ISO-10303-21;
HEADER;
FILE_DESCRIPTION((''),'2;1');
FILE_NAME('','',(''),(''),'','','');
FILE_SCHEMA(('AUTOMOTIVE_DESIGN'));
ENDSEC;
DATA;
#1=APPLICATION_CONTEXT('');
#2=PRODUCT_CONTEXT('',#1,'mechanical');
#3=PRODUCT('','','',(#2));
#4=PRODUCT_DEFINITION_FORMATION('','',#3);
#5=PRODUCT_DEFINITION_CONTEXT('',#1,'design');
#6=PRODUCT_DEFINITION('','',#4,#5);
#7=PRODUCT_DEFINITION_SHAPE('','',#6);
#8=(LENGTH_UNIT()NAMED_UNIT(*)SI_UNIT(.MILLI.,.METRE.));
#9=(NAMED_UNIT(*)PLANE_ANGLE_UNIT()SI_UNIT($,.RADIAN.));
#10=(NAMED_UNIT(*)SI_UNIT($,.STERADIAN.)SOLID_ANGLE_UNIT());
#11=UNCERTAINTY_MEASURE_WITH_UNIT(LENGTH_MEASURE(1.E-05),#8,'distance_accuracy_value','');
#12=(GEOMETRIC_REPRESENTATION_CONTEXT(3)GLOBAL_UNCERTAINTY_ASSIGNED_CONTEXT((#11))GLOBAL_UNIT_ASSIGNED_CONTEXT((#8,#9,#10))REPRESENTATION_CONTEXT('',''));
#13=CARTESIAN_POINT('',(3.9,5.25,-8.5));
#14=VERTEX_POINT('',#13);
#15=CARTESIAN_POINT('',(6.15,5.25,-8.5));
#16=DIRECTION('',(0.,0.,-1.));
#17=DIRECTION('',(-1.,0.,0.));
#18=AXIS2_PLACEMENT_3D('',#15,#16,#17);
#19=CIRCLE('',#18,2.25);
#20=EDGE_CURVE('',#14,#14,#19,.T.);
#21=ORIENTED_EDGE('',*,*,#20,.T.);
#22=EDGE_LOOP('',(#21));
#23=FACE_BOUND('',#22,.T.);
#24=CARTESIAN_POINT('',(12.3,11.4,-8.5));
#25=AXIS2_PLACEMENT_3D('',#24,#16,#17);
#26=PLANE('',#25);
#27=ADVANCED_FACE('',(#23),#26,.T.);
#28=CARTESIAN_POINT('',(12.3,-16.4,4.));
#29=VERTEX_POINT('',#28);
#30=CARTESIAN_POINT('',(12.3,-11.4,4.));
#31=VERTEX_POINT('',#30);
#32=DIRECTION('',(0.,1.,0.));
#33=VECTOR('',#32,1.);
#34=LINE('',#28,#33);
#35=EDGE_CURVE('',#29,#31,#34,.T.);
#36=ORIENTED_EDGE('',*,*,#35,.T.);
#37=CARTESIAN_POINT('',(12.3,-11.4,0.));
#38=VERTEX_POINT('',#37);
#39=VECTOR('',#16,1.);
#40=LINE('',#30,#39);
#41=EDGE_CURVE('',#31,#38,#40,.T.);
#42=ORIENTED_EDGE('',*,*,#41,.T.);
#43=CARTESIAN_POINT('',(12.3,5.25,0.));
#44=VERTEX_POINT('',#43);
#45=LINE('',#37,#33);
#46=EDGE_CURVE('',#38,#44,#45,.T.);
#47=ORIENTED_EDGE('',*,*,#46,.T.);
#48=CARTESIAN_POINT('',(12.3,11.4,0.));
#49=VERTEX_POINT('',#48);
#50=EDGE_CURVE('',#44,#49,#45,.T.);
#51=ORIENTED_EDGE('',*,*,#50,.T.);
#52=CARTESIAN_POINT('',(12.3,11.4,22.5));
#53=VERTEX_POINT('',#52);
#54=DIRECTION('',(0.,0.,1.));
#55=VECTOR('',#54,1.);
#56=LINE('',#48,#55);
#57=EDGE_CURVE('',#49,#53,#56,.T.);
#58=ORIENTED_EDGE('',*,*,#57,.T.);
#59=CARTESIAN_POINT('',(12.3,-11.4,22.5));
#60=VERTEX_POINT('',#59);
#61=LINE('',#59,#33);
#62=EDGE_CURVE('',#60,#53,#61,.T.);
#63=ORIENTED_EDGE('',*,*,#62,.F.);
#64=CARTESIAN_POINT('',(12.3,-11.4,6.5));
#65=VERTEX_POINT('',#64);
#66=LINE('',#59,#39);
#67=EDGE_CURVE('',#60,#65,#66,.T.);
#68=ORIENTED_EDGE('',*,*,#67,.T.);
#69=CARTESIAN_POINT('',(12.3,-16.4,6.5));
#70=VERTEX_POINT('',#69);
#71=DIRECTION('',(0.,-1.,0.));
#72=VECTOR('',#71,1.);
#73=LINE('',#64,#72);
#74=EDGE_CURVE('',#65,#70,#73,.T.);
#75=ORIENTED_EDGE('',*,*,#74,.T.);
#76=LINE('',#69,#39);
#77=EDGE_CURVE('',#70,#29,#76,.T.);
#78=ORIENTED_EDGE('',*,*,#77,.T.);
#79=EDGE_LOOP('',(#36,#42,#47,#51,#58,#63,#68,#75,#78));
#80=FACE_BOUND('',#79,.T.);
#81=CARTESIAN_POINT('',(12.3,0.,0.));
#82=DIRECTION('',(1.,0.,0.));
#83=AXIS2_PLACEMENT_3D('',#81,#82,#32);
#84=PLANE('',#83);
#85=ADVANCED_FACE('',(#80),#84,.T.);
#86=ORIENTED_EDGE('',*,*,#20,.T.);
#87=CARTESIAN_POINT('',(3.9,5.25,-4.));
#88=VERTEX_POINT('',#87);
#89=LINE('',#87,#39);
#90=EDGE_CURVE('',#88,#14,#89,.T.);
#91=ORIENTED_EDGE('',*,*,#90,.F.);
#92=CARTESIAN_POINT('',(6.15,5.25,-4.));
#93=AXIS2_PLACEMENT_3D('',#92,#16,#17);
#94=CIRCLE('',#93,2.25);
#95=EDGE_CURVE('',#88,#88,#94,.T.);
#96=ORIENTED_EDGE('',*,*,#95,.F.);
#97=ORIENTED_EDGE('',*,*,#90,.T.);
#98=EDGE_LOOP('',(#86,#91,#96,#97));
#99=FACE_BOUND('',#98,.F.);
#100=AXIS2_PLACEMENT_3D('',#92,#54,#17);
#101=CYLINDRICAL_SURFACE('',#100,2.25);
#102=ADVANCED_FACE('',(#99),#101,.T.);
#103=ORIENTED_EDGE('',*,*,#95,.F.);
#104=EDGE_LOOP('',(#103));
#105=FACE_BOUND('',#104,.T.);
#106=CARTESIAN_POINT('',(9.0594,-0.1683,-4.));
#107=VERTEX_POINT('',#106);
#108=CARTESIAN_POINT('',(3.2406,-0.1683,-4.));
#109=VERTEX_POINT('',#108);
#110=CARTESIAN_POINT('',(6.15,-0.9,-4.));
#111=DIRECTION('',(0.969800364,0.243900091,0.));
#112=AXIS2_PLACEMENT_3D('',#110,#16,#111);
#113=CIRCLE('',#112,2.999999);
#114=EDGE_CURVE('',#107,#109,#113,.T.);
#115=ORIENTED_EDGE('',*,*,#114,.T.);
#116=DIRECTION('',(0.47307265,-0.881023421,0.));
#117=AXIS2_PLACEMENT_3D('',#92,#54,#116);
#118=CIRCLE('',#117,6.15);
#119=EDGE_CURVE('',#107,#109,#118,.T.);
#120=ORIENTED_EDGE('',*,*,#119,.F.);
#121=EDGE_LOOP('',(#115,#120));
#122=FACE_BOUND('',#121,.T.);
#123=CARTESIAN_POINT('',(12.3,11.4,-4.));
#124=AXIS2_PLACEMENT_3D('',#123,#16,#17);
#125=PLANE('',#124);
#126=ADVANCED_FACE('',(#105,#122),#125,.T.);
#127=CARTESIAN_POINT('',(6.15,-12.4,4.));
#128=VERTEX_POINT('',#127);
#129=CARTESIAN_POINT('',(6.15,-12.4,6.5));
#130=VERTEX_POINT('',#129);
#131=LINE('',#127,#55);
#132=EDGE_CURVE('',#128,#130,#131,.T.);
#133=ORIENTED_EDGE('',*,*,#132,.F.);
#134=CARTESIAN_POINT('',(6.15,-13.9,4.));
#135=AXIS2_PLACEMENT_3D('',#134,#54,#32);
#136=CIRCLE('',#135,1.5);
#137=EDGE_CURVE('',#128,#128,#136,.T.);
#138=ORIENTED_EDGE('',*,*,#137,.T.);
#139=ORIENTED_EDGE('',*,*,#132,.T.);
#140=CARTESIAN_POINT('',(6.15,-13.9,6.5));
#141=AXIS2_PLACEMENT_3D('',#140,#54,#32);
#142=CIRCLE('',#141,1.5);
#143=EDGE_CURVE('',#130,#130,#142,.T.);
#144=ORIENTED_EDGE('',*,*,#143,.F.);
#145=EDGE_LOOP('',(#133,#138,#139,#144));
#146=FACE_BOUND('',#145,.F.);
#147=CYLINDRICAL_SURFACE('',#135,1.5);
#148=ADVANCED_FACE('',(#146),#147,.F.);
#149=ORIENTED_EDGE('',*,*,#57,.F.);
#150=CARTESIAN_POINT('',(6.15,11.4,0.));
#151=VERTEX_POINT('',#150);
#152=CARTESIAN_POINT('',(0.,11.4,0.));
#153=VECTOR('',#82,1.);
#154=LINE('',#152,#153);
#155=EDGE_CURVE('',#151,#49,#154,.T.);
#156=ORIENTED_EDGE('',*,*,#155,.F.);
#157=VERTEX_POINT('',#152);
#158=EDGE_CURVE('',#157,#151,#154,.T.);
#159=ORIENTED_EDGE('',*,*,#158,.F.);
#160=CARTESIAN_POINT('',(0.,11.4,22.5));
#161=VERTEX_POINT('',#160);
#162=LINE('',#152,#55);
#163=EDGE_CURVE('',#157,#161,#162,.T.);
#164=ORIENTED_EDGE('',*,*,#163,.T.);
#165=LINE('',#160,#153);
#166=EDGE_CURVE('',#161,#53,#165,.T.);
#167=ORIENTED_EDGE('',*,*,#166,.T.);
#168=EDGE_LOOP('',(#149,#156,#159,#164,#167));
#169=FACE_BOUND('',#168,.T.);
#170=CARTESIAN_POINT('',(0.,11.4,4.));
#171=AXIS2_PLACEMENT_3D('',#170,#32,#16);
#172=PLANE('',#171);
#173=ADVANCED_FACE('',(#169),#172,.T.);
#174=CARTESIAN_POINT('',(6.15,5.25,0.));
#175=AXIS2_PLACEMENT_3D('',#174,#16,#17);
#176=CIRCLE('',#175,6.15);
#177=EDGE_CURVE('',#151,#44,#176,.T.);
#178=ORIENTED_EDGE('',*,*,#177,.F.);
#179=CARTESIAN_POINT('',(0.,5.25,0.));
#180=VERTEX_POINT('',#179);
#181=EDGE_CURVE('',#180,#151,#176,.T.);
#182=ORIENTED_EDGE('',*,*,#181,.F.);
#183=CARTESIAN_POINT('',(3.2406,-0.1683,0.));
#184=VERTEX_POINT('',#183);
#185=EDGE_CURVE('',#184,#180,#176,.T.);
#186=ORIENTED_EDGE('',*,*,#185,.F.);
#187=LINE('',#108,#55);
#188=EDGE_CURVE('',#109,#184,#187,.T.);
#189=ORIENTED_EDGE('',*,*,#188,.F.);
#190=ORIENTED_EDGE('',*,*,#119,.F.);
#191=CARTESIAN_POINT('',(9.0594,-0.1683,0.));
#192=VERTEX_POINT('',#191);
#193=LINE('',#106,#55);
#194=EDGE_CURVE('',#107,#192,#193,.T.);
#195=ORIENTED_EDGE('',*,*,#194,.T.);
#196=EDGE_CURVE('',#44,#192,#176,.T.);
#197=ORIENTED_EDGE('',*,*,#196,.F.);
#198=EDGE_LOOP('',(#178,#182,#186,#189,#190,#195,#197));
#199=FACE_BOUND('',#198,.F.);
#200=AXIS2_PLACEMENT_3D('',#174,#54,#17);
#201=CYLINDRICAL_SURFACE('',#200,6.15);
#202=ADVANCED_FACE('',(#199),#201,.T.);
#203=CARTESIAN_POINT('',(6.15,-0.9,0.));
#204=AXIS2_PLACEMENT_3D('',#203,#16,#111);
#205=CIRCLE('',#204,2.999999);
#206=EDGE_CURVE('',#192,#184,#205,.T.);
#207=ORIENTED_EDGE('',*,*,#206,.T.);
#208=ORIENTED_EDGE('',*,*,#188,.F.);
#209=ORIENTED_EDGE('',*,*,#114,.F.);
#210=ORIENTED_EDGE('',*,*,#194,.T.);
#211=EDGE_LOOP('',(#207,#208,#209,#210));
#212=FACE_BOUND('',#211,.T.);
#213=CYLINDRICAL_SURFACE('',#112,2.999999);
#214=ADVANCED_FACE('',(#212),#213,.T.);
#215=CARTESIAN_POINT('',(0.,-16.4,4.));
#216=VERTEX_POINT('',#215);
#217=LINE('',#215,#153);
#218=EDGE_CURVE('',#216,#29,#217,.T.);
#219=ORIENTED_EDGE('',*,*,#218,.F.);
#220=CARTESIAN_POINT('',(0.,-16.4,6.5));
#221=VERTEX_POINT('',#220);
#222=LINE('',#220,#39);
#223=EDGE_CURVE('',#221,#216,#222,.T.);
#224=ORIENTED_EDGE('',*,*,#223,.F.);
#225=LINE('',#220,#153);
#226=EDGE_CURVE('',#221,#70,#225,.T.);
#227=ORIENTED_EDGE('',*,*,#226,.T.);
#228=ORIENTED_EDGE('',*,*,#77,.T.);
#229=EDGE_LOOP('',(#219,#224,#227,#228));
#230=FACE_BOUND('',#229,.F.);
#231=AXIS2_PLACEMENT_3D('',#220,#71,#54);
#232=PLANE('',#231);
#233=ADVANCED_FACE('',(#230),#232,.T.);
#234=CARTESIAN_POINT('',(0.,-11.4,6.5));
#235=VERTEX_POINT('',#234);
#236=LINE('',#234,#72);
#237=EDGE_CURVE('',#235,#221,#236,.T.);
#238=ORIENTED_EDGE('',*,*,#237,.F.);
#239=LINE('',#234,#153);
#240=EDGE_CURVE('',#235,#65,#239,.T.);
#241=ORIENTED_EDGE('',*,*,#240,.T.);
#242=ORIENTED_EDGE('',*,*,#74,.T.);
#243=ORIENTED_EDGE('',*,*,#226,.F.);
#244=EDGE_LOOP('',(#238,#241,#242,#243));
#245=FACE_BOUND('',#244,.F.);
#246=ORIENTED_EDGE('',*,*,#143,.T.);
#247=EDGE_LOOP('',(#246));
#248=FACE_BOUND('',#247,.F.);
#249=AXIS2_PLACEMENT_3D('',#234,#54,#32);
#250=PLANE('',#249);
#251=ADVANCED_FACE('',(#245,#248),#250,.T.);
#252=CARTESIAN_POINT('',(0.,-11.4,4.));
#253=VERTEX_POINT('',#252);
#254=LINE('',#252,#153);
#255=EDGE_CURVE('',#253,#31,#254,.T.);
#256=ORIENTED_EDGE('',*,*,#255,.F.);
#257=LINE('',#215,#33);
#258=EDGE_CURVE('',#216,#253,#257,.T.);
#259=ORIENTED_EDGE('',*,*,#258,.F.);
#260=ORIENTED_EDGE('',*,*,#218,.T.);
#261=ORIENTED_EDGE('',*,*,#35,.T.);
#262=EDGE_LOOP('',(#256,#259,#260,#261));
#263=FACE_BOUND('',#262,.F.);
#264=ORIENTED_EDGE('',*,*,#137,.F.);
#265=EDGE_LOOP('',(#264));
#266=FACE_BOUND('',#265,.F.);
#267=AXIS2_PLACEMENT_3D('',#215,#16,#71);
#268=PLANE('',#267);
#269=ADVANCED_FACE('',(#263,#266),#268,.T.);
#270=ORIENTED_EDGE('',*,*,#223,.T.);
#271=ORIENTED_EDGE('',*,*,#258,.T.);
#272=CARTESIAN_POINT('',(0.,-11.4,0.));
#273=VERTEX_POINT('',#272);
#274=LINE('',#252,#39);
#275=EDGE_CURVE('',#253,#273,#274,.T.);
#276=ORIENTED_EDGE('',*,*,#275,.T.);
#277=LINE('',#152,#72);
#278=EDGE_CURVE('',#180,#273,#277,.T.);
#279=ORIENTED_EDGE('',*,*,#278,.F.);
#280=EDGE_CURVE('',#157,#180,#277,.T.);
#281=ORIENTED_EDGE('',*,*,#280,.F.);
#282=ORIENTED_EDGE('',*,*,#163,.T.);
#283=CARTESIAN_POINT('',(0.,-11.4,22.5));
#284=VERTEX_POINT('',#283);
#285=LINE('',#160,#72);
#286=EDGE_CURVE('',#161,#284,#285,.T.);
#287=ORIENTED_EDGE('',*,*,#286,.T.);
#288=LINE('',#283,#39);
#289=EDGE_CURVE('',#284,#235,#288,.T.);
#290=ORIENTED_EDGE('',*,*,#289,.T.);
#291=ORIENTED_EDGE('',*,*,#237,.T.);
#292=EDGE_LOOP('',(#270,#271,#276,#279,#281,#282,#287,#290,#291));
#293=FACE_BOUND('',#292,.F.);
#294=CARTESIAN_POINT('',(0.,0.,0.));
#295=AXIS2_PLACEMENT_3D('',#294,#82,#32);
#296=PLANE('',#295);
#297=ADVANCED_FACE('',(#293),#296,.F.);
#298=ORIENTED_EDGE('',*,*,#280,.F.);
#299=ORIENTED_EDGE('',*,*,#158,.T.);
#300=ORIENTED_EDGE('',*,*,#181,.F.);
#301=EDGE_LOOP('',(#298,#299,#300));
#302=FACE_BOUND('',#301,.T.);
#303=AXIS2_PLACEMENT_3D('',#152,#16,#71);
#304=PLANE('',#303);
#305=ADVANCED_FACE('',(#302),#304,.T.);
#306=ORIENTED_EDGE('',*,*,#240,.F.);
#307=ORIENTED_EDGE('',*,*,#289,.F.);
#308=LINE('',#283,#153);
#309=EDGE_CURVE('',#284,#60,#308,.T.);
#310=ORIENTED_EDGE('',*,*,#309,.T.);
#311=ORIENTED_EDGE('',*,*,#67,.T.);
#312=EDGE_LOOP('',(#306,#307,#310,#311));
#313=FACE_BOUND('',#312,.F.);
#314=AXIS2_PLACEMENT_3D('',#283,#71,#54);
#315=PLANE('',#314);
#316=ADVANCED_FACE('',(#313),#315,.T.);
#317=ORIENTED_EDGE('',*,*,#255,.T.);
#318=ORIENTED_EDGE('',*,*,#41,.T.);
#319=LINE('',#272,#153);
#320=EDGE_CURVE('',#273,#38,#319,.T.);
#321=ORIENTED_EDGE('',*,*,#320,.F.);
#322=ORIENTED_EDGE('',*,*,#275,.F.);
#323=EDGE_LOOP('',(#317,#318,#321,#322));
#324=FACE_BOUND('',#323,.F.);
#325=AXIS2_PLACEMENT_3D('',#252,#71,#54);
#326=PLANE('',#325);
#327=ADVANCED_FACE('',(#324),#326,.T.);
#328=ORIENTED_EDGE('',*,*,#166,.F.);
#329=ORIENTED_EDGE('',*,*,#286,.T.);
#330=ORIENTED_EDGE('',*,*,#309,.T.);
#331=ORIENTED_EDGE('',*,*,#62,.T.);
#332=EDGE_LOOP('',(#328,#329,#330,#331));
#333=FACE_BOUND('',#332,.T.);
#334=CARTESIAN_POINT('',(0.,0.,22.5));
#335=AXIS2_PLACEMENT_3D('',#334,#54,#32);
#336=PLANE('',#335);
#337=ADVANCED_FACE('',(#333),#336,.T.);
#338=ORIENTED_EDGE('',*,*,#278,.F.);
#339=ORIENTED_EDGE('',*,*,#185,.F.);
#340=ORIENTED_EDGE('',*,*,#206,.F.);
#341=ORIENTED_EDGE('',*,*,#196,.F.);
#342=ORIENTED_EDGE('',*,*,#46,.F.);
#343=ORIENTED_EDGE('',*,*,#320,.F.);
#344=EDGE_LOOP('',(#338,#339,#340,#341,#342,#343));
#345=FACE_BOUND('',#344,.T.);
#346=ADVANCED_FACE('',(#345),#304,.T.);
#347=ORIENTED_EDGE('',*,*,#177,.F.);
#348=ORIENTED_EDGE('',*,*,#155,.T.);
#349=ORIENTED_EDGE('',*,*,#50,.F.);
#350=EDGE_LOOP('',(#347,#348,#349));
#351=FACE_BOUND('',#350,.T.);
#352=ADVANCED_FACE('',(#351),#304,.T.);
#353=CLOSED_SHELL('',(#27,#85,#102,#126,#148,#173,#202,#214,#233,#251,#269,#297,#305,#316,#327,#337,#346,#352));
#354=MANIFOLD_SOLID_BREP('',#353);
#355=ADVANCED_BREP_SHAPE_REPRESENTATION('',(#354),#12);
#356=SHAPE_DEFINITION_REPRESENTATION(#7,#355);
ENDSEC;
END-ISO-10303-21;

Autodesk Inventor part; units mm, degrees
ref_plane "YZ Plane" through (0, 0, 0) normal (1, 0, 0) x (0, 1, 0)
ref_plane "XZ Plane" through (0, 0, 0) normal (0, 1, 0) x (-1, 0, 0)
ref_plane "XY Plane" through (0, 0, 0) normal (0, 0, 1) x (1, 0, 0)
sketch "Skizze1" plane through (0, 0, 0) normal (1, 0, 0) x (0, 1, 0)
  line L0 (11.4, 22.5) -> (11.4, 6.5)
  line L1 (11.4, 6.5) -> (16.4, 6.5)
  line L2 (16.4, 6.5) -> (16.4, 4)
  line L3 (16.4, 4) -> (11.4, 4)
  line L4 (11.4, 4) -> (11.4, 0)
  line L5 (11.4, 0) -> (0, 0)
  line L6 (0, 0) -> (0, 22.5)
  line L7 (0, 22.5) -> (11.4, 22.5)
  dimension "d0" = 2.5
  dimension "d1" = 5
  dimension "d2" = 4
  dimension "d3" = 16
  dimension "d4" = 11.4
extrude "Extrusion1" add sketch "Skizze1" along normal blind 12.3
mirror "Spiegeln1" about plane through (0, 0, 22.5) normal (0, -1, 0) of "Extrusion1"
sketch "Skizze2" plane through (12.3, 11.4, 0) normal (0, 0, -1) x (-1, 0, 0)
  circle A0 centre (6.15, -6.15) radius 6.15
  line L0 (12.3, 0) -> (0, 0) projected
  line L1 (6.15, 0) -> (6.15, -6.15) construction
  line L2 (6.15, -6.15) -> (12.3, -6.15) construction
  line L3 (12.3, 0) -> (12.3, -22.8) construction
  point P0 (12.3, -11.4)
extrude "Extrusion2" add sketch "Skizze2" along normal blind 4
sketch "Skizze3" plane through (6.15, 5.25, -4) normal (0, 0, -1) x (-1, 0, 0)
  arc A0 (-6.15, 0) -> (6.15, 0) centre (0, 0) ccw projected
  arc A1 (-2.9094, -5.4183) -> (2.9094, -5.4183) centre (0, -6.15) ccw
  point P0 (6.15, -5.25)
  dimension "d9" = 6
extrude "Extrusion3" add sketch "Skizze3" against normal up to surface (4 mm away)
sketch "Skizze4" plane through (0, 11.4, 4) normal (0, 0, -1) x (-1, 0, 0)
  line L0 (-12.3, -22.8) -> (-12.3, -27.8) projected
  line L1 (-12.3, 0) -> (-12.3, 5) projected
  line L2 (0, 5) -> (-12.3, 5) projected
  point P0 (0, -11.4)
  point P1 (-6.15, 2.5)
  point P2 (-6.15, -25.3)
  point P3 (-12.3, -25.3)
  point P4 (-12.3, 2.5)
  point P5 (-6.15, 5)
hole "Bohrung1" at (6.15, 13.9, 4) at (6.15, -13.9, 4) direction (0, 0, 1) diameter 3 end through all
sketch "Skizze5" plane through (12.3, 11.4, -4) normal (0, 0, -1) x (-1, 0, 0)
  circle A0 centre (6.15, -6.15) radius 2.25
  arc A1 (9.0594, -11.5683) -> (3.2406, -11.5683) centre (6.15, -6.15) ccw projected
  point P0 (12.3, -11.4)
  dimension "d19" = 4.5
extrude "Extrusion4" add sketch "Skizze5" along normal blind 4.5
sketch "Skizze6" plane through (0, 0, 0) normal (-1, 0, 0) x (0, 0, 1)
  line L0 (6.5, 11.4) -> (22.5, 11.4) projected
  line L1 (4, 16.4) -> (6.5, 16.4)
  line L2 (6.5, 16.4) -> (6.5, 11.4)
  line L3 (6.5, 11.4) -> (4, 11.4)
  line L4 (4, 11.4) -> (4, 16.4)
  point P0 (0, 0)
extrude "Extrusion5" cut sketch "Skizze6" against normal through all
properties part number "Motor"
